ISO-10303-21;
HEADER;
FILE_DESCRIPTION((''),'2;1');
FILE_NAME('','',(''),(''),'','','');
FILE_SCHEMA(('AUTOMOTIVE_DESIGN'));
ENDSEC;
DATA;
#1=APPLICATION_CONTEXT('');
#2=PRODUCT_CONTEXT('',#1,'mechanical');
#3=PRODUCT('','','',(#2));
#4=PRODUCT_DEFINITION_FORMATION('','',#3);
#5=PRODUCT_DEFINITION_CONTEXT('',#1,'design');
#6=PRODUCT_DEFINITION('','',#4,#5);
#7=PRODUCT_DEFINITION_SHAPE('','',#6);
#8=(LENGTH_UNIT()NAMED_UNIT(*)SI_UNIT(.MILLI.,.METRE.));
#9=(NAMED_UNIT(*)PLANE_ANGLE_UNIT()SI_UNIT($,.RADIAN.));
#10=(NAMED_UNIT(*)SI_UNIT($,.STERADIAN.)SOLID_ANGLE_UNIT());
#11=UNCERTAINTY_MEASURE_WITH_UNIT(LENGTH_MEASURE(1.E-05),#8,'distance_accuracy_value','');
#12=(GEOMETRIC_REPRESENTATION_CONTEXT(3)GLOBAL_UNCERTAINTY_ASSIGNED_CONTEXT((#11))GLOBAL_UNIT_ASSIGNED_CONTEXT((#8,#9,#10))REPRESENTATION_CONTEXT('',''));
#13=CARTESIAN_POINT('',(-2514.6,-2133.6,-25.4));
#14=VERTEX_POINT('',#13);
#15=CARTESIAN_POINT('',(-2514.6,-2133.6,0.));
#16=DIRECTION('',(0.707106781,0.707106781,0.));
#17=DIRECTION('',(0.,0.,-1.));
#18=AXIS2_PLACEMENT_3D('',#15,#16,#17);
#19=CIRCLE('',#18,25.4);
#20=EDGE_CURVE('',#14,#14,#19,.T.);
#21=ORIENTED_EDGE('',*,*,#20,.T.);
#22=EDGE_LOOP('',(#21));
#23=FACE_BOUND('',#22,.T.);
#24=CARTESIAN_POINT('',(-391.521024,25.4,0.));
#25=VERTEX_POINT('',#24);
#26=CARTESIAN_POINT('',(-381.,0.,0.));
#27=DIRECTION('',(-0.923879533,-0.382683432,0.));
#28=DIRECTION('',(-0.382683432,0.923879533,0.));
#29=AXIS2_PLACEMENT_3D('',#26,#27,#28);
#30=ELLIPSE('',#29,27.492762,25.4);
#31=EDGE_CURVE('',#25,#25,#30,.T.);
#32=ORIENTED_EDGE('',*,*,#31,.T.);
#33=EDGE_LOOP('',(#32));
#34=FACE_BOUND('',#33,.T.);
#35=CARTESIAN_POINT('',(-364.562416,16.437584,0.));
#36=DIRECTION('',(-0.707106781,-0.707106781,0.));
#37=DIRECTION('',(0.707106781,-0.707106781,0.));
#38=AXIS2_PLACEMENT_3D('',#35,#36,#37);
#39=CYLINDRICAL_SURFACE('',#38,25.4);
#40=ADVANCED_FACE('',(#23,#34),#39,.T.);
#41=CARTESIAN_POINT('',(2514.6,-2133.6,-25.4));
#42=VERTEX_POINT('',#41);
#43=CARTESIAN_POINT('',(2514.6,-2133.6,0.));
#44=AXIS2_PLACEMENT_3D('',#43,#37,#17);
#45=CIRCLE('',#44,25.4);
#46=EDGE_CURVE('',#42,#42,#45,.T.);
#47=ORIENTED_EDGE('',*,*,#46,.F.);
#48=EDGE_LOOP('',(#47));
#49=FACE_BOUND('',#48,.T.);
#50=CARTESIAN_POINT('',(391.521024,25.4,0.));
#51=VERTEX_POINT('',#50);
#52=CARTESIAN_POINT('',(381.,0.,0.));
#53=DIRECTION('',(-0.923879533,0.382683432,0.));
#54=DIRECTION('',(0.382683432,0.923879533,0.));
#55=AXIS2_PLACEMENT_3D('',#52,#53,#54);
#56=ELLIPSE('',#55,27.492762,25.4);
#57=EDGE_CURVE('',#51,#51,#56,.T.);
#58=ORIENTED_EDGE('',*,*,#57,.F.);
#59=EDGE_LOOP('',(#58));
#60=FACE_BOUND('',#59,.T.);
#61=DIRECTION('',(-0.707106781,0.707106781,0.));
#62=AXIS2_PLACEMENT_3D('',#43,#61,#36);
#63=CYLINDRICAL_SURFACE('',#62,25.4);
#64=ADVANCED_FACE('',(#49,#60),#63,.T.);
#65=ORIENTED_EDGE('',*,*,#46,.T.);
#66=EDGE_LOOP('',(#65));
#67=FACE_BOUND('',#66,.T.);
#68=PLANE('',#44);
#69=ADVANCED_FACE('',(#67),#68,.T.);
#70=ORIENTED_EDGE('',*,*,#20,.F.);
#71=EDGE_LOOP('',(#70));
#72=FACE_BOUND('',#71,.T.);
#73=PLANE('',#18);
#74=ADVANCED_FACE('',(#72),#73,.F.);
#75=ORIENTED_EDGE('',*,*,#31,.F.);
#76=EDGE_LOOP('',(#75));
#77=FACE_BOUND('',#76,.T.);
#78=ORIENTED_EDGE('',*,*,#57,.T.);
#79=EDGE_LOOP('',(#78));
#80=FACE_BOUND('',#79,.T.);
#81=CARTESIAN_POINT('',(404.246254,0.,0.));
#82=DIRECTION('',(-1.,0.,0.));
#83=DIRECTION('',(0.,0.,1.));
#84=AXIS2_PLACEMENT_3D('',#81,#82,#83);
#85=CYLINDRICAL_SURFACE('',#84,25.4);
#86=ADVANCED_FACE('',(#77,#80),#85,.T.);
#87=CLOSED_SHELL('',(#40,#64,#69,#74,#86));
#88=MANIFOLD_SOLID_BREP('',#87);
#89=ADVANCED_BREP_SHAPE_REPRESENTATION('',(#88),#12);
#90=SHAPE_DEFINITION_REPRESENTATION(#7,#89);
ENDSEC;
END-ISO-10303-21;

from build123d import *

# Parameters (mm, degrees)
SKETCH2_R = 25.4


with BuildPart() as part:
    # Sweep1: sweep along a path in Sketch1
    with BuildLine(Plane.XY) as sweep1_path:
        Line((-2514.6, -2133.6), (-381, 0))
        Line((-381, 0), (381, 0))
        Line((381, 0), (2514.6, -2133.6))
    # Sketch2 → Sweep1 (sweep)
    with BuildSketch(Plane(origin=(0, 0, 0), x_dir=(0, 0, -1), z_dir=(1, 0, 0))):
        Circle(SKETCH2_R)
    sweep(path=sweep1_path.line, transition=Transition.RIGHT)


solid = part.part
